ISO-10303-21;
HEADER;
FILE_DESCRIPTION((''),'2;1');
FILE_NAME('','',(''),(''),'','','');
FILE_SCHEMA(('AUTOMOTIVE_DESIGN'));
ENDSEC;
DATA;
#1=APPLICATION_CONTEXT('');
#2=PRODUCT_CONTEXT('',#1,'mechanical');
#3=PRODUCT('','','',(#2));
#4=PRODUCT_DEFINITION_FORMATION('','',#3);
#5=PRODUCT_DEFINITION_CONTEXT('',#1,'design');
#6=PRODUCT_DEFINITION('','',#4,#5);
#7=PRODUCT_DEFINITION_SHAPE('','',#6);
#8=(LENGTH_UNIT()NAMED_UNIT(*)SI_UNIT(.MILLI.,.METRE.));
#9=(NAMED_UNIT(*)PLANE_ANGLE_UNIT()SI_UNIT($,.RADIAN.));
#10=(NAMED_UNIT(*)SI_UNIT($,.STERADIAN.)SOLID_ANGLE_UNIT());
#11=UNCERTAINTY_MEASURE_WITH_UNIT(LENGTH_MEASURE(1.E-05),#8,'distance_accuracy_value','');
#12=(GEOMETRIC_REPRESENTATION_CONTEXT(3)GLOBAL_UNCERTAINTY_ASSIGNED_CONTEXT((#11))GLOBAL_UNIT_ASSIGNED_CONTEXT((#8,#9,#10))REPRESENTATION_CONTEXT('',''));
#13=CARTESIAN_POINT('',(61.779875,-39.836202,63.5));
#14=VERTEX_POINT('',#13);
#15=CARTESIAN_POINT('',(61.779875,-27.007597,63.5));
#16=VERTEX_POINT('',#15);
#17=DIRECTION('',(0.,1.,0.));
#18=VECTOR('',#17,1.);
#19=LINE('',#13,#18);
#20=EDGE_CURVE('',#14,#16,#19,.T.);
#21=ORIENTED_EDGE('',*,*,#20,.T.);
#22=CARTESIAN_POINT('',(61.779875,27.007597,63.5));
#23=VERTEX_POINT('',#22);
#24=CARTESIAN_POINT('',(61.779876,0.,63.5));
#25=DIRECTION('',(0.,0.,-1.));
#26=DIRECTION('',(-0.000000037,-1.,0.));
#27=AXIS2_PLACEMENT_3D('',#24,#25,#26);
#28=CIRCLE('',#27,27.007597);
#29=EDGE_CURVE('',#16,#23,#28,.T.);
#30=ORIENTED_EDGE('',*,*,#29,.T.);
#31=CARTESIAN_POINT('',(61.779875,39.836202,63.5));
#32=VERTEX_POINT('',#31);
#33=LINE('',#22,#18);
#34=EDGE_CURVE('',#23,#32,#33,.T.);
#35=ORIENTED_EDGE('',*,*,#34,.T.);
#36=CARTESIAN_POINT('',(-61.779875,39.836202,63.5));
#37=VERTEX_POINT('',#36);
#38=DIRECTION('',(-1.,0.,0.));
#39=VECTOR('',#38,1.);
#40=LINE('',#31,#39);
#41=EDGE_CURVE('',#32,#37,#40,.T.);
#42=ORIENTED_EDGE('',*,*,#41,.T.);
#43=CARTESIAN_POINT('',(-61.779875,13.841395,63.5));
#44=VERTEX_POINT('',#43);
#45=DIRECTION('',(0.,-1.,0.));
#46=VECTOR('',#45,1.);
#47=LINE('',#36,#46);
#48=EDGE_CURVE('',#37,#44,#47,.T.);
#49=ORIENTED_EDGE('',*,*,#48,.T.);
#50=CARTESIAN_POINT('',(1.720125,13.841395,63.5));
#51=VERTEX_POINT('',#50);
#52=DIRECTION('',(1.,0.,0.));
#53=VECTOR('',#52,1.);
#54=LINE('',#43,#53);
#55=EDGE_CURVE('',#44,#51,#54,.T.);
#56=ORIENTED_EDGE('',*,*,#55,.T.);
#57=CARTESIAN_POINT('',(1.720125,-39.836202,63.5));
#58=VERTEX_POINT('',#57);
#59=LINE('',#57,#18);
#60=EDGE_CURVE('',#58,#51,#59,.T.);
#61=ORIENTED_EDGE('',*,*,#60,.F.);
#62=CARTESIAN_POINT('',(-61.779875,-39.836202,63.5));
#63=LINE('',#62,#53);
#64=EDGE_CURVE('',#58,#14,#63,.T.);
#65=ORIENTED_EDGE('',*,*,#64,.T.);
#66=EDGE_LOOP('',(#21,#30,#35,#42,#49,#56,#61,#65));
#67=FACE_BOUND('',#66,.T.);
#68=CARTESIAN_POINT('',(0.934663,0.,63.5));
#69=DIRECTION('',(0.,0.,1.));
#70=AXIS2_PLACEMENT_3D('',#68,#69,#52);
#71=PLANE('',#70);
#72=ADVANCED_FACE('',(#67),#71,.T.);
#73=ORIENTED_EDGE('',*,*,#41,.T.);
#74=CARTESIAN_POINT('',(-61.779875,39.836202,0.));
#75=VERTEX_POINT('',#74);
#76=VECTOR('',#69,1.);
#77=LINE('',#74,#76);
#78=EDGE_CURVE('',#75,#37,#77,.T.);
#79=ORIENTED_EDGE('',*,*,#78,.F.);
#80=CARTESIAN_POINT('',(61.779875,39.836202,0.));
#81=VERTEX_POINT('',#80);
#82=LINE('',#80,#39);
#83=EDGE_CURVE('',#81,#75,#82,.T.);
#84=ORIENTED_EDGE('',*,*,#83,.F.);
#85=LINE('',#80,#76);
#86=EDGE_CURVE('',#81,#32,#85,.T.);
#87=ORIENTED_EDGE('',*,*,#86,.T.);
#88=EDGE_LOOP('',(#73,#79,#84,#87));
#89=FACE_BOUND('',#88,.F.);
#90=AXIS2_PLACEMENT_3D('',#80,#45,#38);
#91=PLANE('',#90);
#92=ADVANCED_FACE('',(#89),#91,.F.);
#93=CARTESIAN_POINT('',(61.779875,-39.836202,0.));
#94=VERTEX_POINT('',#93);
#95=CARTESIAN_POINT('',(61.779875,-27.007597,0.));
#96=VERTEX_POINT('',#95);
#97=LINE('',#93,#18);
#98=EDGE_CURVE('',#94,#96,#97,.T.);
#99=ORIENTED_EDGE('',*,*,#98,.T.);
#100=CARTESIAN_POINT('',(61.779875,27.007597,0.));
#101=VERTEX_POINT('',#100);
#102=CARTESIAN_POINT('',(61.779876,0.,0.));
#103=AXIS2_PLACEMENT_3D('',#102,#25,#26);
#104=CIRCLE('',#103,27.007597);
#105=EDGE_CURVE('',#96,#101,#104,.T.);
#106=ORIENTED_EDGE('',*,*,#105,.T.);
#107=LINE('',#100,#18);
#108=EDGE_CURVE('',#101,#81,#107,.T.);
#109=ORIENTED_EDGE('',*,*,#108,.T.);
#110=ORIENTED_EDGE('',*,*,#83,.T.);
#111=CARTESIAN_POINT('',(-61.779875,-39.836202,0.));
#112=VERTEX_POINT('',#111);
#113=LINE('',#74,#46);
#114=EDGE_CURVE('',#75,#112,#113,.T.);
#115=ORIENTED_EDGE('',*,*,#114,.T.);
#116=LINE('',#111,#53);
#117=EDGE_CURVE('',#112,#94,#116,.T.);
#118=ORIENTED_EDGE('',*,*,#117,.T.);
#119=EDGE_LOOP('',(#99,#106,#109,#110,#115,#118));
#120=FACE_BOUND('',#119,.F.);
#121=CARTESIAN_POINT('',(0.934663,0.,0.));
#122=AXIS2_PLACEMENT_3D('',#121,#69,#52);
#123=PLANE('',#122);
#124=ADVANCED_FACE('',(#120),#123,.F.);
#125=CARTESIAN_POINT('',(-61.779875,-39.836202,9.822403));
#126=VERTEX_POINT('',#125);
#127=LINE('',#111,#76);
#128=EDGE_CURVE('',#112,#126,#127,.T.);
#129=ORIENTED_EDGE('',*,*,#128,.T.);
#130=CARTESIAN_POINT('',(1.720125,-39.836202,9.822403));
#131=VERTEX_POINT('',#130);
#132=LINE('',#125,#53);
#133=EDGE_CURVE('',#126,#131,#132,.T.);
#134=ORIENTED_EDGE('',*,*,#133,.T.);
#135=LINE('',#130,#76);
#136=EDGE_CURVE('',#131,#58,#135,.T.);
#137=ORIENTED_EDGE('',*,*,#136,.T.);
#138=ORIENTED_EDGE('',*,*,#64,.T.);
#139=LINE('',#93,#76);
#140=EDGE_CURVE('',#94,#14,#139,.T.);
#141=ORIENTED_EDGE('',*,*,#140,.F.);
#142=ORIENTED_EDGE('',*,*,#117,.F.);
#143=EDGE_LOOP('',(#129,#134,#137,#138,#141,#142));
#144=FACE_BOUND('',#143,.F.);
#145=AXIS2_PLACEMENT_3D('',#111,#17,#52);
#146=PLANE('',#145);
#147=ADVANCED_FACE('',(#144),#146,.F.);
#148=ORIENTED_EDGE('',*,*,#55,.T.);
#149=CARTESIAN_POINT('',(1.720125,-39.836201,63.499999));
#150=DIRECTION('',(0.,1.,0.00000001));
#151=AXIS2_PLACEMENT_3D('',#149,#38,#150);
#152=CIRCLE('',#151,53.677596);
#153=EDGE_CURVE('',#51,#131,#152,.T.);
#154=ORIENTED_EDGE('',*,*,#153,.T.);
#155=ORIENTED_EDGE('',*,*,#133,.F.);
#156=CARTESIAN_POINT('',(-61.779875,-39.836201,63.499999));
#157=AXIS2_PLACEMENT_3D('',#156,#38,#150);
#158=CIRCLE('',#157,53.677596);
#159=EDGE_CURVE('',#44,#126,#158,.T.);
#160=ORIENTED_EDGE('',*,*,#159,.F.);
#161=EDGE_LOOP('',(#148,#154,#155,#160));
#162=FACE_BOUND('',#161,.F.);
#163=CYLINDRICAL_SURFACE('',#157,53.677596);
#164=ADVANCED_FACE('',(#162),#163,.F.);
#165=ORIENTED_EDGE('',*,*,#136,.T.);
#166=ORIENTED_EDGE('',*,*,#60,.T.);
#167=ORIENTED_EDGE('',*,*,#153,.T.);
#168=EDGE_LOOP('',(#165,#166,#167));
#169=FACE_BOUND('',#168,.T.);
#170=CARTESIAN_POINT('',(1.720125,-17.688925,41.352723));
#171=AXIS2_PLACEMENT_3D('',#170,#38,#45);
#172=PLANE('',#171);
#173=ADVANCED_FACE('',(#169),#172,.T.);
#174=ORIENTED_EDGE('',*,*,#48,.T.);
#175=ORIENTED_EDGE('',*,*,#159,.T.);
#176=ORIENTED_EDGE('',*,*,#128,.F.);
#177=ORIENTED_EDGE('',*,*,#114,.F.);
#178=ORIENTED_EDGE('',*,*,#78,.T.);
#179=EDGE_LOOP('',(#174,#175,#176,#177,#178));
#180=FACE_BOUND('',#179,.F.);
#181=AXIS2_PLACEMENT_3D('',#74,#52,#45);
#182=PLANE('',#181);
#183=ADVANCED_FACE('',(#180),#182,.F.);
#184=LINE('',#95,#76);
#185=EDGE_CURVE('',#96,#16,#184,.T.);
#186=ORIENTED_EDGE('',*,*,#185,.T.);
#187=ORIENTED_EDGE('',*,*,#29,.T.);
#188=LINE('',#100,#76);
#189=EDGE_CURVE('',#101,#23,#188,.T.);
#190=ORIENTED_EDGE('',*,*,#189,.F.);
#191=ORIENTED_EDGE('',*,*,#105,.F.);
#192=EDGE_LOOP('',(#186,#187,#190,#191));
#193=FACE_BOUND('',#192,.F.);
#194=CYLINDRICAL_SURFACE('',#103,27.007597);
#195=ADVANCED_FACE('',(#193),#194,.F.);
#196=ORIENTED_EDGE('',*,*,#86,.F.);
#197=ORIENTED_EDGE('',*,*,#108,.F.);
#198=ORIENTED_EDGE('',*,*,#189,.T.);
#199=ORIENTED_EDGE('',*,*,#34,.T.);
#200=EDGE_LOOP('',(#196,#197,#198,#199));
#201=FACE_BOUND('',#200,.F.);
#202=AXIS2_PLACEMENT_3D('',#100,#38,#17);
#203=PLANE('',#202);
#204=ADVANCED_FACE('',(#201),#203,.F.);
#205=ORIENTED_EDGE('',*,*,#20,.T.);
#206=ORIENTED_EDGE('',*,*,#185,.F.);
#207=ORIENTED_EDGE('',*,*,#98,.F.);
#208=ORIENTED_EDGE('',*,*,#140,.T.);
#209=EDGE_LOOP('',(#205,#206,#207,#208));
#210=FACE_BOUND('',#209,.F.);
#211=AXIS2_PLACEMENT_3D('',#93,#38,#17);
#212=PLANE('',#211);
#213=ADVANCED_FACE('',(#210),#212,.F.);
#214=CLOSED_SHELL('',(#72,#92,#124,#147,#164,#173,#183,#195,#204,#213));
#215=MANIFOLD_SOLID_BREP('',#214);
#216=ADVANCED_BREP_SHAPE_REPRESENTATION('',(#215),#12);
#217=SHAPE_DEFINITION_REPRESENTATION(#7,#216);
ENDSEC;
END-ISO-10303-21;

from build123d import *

# Parameters (mm, degrees)
F1_DEPTH = 63.5
F3_DEPTH = 63.5


with BuildPart() as f1:
    # F0 (on Top) → F1 (new body)
    with BuildSketch(Plane.XY):
        with BuildLine():
            Line((61.779875, 27.007597), (61.779875, 39.836202))
            Line((61.779875, 39.836202), (-61.779875, 39.836202))
            Line((-61.779875, 39.836202), (-61.779875, -39.836202))
            Line((-61.779875, -39.836202), (61.779875, -39.836202))
            Line((61.779875, -39.836202), (61.779875, -27.007597))
            ThreePointArc((61.779875, -27.007597), (34.772279, 0), (61.779875, 27.007597))
        make_face()
    extrude(amount=F1_DEPTH)

    # F2 (on face) → F3 (cut)
    with BuildSketch(Plane(origin=(-61.779875, 0, 0), x_dir=(0, -1, 0), z_dir=(-1, 0, 0))):
        with BuildLine():
            Line((39.836202, 63.5), (-13.841395, 63.5))
            ThreePointArc((-13.841395, 63.5), (1.880409, 25.544207), (39.836202, 9.822403))
            Line((39.836202, 9.822403), (39.836202, 63.5))
        make_face()
    extrude(amount=-F3_DEPTH, mode=Mode.SUBTRACT)


solid = f1.part
